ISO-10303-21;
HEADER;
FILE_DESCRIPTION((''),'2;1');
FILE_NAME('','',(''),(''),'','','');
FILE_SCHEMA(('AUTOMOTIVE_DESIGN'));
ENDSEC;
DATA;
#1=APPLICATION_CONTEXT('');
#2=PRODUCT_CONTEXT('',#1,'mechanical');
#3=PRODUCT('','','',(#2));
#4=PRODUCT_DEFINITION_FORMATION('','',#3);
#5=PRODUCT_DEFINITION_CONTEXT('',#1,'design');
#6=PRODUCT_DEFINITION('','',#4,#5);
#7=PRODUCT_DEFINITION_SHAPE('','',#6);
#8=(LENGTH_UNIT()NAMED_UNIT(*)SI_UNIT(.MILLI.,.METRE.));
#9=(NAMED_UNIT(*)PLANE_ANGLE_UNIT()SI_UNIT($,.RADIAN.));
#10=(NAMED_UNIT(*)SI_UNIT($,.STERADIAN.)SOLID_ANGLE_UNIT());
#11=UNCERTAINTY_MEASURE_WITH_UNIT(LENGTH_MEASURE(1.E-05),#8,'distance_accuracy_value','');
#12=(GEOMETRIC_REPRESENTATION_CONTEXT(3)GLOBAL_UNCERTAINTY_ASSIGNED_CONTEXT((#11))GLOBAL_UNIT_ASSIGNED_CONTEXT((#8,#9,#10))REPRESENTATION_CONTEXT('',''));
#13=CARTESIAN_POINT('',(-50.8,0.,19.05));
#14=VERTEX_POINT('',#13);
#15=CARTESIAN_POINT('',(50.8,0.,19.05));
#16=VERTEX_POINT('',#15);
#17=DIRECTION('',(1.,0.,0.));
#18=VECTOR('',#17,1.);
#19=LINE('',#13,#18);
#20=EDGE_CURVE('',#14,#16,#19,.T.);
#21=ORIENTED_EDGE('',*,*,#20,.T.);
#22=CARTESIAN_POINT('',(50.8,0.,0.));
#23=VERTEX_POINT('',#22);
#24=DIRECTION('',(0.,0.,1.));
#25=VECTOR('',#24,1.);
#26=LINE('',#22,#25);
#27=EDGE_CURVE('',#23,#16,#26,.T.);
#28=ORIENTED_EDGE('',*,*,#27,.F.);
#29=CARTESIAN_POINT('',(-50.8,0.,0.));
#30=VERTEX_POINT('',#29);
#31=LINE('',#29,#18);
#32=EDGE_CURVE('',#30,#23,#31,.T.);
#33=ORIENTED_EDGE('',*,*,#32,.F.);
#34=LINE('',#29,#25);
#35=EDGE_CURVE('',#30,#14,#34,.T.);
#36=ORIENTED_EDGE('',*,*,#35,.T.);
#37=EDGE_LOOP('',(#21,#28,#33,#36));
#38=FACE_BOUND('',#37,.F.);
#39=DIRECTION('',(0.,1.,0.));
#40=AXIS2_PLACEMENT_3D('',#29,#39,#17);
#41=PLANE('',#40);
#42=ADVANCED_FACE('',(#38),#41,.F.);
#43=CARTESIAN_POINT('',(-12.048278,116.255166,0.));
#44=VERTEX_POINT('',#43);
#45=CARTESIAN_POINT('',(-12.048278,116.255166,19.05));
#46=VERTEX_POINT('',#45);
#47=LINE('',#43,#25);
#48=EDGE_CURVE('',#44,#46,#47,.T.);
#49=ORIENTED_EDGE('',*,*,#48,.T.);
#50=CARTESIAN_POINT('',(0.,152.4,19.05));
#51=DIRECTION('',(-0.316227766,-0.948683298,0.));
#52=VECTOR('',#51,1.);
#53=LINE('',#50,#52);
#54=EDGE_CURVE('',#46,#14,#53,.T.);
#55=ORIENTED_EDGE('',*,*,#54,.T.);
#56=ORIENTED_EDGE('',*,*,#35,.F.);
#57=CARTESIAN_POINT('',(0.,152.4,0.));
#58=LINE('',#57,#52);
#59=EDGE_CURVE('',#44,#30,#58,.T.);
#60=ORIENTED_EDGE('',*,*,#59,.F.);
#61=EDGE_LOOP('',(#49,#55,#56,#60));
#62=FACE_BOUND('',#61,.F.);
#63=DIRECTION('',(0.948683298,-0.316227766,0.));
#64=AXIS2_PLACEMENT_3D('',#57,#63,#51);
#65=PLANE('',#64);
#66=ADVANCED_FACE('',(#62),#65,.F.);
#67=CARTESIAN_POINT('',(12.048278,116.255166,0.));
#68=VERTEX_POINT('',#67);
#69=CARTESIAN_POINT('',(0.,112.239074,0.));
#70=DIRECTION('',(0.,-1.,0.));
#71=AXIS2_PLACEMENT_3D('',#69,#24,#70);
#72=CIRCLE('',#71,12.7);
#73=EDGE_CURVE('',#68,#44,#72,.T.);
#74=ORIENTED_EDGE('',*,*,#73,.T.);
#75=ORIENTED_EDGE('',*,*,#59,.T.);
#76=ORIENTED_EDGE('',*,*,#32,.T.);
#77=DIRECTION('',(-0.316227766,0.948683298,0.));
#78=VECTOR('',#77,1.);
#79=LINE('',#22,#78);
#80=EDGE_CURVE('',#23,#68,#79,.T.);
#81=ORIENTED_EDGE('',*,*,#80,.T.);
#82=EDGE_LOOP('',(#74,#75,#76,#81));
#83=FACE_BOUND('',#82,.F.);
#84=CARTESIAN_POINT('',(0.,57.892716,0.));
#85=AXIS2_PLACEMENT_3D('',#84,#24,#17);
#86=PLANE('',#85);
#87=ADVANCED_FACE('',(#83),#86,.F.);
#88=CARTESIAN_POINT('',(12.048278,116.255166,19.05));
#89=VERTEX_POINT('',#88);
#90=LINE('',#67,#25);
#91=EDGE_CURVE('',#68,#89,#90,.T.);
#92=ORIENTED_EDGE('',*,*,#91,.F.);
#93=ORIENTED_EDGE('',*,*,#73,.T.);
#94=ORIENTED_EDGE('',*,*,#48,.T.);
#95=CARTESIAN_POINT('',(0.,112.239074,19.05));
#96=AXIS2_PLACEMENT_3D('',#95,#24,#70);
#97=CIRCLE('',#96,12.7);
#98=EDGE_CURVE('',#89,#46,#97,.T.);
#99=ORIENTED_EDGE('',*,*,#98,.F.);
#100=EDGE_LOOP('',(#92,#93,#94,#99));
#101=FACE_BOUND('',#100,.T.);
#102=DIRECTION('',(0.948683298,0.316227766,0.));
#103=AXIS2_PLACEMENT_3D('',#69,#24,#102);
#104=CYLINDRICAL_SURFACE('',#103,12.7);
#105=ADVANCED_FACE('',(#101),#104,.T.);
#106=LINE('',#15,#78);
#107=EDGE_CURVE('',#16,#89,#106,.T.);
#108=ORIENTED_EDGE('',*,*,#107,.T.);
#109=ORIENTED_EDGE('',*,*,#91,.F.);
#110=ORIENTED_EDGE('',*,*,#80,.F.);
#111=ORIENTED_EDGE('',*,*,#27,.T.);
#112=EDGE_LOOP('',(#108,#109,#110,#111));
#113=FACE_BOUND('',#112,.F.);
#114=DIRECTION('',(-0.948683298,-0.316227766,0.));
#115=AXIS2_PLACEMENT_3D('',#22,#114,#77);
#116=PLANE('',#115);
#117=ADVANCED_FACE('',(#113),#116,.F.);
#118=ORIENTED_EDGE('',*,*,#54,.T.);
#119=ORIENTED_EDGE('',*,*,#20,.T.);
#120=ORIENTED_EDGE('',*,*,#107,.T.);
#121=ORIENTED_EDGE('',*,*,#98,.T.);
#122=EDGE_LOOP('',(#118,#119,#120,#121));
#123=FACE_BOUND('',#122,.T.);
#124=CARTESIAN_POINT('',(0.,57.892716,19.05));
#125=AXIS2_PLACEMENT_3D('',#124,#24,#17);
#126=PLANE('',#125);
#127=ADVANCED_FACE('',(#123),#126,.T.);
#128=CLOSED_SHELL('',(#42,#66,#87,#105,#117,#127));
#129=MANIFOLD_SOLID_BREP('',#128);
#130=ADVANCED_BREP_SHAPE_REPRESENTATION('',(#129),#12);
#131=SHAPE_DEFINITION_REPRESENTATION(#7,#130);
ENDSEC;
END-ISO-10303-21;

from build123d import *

# Parameters (mm, degrees)
F1_DEPTH = 19.05
F2_R     = 12.7


with BuildPart() as f1:
    # F0 (on Top) → F1 (new body)
    with BuildSketch(Plane.XY):
        Polygon((-50.8, 0), (0, 0), (50.8, 0), (0, 152.4), align=None)
    extrude(amount=F1_DEPTH)

    # F2
    f2_edges = [f1.edges().sort_by_distance(p)[0] for p in [
        (0, 152.4, 9.525),
    ]]
    fillet(f2_edges, radius=F2_R)


solid = f1.part
